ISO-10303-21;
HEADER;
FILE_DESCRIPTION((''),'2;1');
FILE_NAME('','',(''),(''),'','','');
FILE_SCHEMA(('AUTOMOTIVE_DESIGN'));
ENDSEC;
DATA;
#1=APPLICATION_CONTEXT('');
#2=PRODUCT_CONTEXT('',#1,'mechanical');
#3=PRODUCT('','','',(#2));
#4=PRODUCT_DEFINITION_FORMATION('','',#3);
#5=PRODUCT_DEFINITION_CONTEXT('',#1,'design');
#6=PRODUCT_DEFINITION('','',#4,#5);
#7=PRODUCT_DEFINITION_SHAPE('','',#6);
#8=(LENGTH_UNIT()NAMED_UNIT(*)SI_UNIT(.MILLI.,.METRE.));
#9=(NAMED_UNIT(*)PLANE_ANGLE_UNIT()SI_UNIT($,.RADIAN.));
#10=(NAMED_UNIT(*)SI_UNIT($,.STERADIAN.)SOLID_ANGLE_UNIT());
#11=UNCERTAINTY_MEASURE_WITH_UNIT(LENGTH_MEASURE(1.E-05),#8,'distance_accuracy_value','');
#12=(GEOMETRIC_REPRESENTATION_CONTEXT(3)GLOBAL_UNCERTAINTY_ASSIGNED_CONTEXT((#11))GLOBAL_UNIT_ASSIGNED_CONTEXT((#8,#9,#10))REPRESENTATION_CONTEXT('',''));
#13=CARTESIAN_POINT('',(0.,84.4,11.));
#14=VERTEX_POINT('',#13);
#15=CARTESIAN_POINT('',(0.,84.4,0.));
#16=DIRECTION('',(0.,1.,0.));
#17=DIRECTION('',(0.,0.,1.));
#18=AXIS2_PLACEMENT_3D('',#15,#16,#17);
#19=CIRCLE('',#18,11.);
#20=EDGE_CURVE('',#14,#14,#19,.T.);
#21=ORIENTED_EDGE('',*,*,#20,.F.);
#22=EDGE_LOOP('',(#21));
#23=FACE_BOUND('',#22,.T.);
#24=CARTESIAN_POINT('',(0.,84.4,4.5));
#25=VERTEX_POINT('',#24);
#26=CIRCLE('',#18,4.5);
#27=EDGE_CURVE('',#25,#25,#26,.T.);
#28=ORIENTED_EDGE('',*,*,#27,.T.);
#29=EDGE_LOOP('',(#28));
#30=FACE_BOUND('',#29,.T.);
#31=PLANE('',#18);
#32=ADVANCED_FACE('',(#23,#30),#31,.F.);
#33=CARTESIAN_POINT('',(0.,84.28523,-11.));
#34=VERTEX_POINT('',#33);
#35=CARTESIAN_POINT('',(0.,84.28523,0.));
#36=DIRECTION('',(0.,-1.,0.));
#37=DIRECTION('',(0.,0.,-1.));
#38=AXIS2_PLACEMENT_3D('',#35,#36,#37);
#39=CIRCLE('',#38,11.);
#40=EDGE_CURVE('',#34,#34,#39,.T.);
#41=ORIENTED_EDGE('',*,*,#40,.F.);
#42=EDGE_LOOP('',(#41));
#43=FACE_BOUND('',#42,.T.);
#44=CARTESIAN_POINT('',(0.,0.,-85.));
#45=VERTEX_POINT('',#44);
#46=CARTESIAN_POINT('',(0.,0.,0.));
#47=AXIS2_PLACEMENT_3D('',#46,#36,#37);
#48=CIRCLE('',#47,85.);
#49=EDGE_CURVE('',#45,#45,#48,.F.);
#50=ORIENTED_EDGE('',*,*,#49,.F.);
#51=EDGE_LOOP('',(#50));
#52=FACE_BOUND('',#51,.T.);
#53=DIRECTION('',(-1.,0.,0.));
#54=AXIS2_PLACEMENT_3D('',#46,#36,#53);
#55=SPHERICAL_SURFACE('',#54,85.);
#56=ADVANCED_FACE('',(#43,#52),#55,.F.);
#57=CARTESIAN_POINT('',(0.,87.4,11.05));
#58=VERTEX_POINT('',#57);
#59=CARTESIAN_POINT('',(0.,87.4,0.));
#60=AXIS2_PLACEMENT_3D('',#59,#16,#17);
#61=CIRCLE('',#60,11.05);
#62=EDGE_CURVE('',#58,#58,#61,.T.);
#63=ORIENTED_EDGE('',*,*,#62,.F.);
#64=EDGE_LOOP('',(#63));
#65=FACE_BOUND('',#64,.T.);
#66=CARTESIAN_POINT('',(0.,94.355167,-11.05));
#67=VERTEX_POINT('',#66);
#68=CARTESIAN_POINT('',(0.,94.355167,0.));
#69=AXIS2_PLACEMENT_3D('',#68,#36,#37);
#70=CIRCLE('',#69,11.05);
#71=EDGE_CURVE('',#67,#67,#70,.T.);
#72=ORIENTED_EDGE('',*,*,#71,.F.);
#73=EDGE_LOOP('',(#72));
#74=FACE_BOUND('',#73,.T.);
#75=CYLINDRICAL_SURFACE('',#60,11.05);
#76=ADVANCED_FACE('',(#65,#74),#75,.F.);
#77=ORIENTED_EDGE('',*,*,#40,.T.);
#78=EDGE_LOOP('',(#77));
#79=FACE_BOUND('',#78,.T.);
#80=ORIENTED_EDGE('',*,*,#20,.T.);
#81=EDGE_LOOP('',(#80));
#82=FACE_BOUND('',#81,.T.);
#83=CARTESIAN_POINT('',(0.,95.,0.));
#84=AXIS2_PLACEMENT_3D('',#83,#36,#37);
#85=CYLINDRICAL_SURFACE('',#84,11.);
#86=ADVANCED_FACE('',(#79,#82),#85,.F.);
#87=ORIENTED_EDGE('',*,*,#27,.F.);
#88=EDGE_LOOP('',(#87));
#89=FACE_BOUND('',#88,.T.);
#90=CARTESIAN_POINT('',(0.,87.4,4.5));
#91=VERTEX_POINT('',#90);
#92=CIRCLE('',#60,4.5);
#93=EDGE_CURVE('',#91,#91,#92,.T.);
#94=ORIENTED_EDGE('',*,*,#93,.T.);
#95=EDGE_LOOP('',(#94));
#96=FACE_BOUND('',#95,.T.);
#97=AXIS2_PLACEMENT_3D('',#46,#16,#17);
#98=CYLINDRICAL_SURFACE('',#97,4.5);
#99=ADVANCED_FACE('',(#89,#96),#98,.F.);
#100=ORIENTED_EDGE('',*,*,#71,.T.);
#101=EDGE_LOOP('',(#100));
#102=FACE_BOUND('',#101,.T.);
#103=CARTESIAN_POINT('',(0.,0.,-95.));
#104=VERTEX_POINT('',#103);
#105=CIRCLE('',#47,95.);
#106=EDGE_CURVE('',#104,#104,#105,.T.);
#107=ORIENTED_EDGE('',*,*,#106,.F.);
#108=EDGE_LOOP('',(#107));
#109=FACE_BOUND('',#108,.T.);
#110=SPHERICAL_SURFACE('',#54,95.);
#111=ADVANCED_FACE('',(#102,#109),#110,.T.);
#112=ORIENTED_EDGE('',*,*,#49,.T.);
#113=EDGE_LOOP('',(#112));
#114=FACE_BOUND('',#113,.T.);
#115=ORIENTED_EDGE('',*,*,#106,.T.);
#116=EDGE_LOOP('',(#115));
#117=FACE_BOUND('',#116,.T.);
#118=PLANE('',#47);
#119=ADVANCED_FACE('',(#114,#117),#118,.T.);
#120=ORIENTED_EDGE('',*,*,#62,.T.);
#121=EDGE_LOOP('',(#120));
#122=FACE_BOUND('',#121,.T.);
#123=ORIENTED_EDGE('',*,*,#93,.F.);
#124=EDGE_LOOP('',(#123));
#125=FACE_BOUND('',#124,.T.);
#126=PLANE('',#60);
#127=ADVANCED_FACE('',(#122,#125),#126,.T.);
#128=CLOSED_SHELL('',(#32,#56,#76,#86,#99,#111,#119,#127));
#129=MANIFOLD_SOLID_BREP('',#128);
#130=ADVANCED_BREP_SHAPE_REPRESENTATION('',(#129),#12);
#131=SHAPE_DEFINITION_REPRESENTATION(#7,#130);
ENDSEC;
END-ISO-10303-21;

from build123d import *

# Parameters (mm, degrees)
SKETCH2_W              = 242.645613954
SKETCH2_H              = 231.138030636
CUT_IN_HALF_DEPTH      = 165.544826719
SKETCH3_R              = 11
BALLBEARINGHOLE_DEPTH  = 165.544826719
SKETCH4_R              = 31.202879122
SUPPORTFORHOLE_DEPTH   = 4
SKETCH5_R              = 11.05
F_2NDBEARINGHOLE_DEPTH = 7
SKETCH6_R              = 4.5
INSIDEHOLE_DEPTH       = 161.277134988


with BuildPart() as part:
    # Half Circle → Sphere Revolve (revolve)
    with BuildSketch(Plane.XY):
        with BuildLine():
            Line((0, 85), (0, 95))
            ThreePointArc((0, 95), (-95, 0), (0, -95))
            Line((0, -95), (0, -85))
            ThreePointArc((0, -85), (-85, 0), (0, 85))
        make_face()
    revolve(axis=Axis((0, 85, 0), (0, 1, 0)))

    # Sketch2 → Cut in Half (cut, through all)
    with BuildSketch(Plane(origin=(0, 0, 0), x_dir=(1, 0, 0), z_dir=(0, 1, 0))):
        Rectangle(SKETCH2_W, SKETCH2_H)
    extrude(amount=-CUT_IN_HALF_DEPTH, mode=Mode.SUBTRACT)

    # Sketch3 → BallBearingHole (cut, through all)
    with BuildSketch(Plane(origin=(0, 0, 0), x_dir=(1, 0, 0), z_dir=(0, 1, 0))):
        with Locations(Location((0, 0, 0), (0, 0, 90))):
            Circle(SKETCH3_R)
    extrude(amount=BALLBEARINGHOLE_DEPTH, mode=Mode.SUBTRACT)

    # Sketch4 → SupportForHole (add)
    with BuildSketch(Plane(origin=(0, 84.4, 0), x_dir=(1, 0, 0), z_dir=(0, 1, 0))):
        Circle(SKETCH4_R)
    extrude(amount=SUPPORTFORHOLE_DEPTH)

    # Sketch5 → 2ndBearingHole (cut)
    with BuildSketch(Plane(origin=(0, 94.4, 0), x_dir=(1, 0, 0), z_dir=(0, 1, 0))):
        with Locations(Location((0, 0, 0), (0, 0, 270))):
            Circle(SKETCH5_R)
    extrude(amount=-F_2NDBEARINGHOLE_DEPTH, mode=Mode.SUBTRACT)

    # Sketch6 → InsideHole (cut, through all)
    with BuildSketch(Plane(origin=(0, 87.4, 0), x_dir=(1, 0, 0), z_dir=(0, 1, 0))):
        with Locations(Location((0, 0, 0), (0, 0, 270))):
            Circle(SKETCH6_R)
    extrude(amount=-INSIDEHOLE_DEPTH, mode=Mode.SUBTRACT)


solid = part.part
